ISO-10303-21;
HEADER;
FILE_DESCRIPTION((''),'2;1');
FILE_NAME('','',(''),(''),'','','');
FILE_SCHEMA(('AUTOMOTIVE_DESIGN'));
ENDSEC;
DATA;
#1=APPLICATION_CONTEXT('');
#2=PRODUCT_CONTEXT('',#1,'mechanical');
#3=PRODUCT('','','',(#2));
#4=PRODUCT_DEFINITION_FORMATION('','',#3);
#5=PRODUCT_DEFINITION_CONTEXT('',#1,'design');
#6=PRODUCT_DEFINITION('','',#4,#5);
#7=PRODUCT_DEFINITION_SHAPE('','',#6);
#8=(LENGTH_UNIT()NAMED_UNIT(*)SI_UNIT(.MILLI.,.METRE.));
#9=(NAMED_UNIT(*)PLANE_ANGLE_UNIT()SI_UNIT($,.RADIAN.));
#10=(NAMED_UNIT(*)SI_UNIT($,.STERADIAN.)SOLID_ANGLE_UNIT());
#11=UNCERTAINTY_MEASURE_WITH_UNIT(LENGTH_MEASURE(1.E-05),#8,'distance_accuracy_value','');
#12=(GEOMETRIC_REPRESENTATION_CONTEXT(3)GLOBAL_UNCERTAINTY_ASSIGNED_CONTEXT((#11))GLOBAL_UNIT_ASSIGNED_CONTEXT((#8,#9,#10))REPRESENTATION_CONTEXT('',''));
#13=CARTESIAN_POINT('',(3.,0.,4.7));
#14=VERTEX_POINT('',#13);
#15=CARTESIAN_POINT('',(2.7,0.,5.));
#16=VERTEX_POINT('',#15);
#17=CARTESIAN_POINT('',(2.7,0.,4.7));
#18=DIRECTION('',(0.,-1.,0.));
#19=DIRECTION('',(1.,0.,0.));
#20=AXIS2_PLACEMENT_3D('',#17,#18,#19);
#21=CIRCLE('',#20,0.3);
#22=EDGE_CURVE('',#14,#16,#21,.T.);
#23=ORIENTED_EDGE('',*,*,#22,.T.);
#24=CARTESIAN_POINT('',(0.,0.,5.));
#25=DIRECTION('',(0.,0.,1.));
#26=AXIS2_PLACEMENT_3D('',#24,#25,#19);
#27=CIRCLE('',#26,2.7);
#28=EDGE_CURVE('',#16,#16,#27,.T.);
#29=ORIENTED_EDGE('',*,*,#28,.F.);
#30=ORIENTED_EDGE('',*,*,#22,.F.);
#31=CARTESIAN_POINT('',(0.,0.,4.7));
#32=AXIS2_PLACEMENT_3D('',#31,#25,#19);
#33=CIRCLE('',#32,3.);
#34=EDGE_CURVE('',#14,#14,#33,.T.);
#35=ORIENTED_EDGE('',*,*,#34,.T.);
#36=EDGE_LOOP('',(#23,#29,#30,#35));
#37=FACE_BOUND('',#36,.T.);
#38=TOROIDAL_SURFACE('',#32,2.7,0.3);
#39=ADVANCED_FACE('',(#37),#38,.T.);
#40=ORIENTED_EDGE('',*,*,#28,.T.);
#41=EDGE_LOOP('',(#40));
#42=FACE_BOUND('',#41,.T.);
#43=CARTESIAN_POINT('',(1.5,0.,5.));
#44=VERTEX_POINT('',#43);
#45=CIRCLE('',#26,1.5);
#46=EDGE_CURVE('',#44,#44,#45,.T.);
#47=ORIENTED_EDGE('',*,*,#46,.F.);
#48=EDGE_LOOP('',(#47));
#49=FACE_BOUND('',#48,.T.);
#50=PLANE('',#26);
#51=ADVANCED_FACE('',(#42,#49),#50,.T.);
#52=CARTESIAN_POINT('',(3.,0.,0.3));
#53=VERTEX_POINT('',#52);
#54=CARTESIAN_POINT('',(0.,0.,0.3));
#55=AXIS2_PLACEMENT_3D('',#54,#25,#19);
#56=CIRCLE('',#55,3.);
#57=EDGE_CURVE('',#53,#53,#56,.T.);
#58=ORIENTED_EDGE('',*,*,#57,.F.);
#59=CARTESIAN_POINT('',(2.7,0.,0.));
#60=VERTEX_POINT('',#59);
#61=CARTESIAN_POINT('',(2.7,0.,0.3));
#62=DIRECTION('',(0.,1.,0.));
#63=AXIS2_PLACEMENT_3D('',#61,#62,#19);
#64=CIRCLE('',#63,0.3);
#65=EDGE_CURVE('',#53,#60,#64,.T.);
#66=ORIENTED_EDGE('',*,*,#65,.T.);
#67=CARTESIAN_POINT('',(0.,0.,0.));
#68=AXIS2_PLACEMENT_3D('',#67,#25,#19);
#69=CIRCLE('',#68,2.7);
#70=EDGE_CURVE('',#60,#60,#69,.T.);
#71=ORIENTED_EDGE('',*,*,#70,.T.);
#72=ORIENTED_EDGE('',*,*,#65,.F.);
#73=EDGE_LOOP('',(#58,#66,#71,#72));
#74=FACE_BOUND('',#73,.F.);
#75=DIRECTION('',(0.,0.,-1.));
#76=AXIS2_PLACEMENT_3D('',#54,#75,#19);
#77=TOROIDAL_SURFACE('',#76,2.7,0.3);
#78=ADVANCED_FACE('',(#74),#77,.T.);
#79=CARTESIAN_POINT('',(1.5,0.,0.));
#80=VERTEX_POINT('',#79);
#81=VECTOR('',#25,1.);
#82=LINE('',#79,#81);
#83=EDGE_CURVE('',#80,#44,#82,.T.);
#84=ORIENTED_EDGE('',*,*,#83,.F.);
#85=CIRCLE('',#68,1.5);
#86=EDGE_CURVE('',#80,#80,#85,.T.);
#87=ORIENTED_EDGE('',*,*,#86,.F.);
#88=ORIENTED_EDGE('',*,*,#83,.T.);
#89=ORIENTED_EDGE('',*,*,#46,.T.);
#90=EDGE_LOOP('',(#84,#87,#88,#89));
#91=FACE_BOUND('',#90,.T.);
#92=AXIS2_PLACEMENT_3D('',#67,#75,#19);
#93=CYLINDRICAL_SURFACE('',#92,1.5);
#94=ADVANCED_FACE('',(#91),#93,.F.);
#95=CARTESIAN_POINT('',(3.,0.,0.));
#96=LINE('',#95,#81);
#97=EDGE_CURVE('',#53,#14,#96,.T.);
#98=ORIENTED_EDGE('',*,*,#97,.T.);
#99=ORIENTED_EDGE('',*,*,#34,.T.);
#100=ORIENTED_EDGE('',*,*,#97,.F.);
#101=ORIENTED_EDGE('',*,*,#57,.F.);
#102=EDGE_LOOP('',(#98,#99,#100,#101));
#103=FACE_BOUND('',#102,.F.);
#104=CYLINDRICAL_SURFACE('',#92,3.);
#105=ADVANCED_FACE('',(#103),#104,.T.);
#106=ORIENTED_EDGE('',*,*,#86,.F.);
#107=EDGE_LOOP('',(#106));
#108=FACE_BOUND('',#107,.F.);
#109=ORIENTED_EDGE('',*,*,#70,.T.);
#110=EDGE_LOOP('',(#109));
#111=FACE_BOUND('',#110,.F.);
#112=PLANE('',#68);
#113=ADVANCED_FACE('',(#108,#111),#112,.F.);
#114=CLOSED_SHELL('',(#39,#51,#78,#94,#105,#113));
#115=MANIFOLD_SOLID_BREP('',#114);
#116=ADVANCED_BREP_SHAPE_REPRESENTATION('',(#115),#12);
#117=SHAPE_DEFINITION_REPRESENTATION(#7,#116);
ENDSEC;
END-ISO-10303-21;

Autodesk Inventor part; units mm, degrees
ref_plane "YZ Plane" through (0, 0, 0) normal (1, 0, 0) x (0, 1, 0)
ref_plane "XZ Plane" through (0, 0, 0) normal (0, 1, 0) x (-1, 0, 0)
ref_plane "XY Plane" through (0, 0, 0) normal (0, 0, 1) x (1, 0, 0)
sketch "スケッチ1" plane through (0, 0, 0) normal (0, 0, 1) x (1, 0, 0)
  circle A0 centre (0, 0) radius 1.5
  circle A1 centre (0, 0) radius 3
  dimension "d0" = 3
  dimension "d1" = 6
extrude "押し出し1" add sketch "スケッチ1" along normal blind 5
fillet "フィレット1" radius 0.3 2 edges at (-3, 0, 5) (-3, 0, 0)
thread "ねじ1" size "M3x0.5" class "6H" standard "ANSI Metric M Profile" length 100
properties part number "スペーサーM3L5アルミ" material "アルミニウム 2014-T4"
